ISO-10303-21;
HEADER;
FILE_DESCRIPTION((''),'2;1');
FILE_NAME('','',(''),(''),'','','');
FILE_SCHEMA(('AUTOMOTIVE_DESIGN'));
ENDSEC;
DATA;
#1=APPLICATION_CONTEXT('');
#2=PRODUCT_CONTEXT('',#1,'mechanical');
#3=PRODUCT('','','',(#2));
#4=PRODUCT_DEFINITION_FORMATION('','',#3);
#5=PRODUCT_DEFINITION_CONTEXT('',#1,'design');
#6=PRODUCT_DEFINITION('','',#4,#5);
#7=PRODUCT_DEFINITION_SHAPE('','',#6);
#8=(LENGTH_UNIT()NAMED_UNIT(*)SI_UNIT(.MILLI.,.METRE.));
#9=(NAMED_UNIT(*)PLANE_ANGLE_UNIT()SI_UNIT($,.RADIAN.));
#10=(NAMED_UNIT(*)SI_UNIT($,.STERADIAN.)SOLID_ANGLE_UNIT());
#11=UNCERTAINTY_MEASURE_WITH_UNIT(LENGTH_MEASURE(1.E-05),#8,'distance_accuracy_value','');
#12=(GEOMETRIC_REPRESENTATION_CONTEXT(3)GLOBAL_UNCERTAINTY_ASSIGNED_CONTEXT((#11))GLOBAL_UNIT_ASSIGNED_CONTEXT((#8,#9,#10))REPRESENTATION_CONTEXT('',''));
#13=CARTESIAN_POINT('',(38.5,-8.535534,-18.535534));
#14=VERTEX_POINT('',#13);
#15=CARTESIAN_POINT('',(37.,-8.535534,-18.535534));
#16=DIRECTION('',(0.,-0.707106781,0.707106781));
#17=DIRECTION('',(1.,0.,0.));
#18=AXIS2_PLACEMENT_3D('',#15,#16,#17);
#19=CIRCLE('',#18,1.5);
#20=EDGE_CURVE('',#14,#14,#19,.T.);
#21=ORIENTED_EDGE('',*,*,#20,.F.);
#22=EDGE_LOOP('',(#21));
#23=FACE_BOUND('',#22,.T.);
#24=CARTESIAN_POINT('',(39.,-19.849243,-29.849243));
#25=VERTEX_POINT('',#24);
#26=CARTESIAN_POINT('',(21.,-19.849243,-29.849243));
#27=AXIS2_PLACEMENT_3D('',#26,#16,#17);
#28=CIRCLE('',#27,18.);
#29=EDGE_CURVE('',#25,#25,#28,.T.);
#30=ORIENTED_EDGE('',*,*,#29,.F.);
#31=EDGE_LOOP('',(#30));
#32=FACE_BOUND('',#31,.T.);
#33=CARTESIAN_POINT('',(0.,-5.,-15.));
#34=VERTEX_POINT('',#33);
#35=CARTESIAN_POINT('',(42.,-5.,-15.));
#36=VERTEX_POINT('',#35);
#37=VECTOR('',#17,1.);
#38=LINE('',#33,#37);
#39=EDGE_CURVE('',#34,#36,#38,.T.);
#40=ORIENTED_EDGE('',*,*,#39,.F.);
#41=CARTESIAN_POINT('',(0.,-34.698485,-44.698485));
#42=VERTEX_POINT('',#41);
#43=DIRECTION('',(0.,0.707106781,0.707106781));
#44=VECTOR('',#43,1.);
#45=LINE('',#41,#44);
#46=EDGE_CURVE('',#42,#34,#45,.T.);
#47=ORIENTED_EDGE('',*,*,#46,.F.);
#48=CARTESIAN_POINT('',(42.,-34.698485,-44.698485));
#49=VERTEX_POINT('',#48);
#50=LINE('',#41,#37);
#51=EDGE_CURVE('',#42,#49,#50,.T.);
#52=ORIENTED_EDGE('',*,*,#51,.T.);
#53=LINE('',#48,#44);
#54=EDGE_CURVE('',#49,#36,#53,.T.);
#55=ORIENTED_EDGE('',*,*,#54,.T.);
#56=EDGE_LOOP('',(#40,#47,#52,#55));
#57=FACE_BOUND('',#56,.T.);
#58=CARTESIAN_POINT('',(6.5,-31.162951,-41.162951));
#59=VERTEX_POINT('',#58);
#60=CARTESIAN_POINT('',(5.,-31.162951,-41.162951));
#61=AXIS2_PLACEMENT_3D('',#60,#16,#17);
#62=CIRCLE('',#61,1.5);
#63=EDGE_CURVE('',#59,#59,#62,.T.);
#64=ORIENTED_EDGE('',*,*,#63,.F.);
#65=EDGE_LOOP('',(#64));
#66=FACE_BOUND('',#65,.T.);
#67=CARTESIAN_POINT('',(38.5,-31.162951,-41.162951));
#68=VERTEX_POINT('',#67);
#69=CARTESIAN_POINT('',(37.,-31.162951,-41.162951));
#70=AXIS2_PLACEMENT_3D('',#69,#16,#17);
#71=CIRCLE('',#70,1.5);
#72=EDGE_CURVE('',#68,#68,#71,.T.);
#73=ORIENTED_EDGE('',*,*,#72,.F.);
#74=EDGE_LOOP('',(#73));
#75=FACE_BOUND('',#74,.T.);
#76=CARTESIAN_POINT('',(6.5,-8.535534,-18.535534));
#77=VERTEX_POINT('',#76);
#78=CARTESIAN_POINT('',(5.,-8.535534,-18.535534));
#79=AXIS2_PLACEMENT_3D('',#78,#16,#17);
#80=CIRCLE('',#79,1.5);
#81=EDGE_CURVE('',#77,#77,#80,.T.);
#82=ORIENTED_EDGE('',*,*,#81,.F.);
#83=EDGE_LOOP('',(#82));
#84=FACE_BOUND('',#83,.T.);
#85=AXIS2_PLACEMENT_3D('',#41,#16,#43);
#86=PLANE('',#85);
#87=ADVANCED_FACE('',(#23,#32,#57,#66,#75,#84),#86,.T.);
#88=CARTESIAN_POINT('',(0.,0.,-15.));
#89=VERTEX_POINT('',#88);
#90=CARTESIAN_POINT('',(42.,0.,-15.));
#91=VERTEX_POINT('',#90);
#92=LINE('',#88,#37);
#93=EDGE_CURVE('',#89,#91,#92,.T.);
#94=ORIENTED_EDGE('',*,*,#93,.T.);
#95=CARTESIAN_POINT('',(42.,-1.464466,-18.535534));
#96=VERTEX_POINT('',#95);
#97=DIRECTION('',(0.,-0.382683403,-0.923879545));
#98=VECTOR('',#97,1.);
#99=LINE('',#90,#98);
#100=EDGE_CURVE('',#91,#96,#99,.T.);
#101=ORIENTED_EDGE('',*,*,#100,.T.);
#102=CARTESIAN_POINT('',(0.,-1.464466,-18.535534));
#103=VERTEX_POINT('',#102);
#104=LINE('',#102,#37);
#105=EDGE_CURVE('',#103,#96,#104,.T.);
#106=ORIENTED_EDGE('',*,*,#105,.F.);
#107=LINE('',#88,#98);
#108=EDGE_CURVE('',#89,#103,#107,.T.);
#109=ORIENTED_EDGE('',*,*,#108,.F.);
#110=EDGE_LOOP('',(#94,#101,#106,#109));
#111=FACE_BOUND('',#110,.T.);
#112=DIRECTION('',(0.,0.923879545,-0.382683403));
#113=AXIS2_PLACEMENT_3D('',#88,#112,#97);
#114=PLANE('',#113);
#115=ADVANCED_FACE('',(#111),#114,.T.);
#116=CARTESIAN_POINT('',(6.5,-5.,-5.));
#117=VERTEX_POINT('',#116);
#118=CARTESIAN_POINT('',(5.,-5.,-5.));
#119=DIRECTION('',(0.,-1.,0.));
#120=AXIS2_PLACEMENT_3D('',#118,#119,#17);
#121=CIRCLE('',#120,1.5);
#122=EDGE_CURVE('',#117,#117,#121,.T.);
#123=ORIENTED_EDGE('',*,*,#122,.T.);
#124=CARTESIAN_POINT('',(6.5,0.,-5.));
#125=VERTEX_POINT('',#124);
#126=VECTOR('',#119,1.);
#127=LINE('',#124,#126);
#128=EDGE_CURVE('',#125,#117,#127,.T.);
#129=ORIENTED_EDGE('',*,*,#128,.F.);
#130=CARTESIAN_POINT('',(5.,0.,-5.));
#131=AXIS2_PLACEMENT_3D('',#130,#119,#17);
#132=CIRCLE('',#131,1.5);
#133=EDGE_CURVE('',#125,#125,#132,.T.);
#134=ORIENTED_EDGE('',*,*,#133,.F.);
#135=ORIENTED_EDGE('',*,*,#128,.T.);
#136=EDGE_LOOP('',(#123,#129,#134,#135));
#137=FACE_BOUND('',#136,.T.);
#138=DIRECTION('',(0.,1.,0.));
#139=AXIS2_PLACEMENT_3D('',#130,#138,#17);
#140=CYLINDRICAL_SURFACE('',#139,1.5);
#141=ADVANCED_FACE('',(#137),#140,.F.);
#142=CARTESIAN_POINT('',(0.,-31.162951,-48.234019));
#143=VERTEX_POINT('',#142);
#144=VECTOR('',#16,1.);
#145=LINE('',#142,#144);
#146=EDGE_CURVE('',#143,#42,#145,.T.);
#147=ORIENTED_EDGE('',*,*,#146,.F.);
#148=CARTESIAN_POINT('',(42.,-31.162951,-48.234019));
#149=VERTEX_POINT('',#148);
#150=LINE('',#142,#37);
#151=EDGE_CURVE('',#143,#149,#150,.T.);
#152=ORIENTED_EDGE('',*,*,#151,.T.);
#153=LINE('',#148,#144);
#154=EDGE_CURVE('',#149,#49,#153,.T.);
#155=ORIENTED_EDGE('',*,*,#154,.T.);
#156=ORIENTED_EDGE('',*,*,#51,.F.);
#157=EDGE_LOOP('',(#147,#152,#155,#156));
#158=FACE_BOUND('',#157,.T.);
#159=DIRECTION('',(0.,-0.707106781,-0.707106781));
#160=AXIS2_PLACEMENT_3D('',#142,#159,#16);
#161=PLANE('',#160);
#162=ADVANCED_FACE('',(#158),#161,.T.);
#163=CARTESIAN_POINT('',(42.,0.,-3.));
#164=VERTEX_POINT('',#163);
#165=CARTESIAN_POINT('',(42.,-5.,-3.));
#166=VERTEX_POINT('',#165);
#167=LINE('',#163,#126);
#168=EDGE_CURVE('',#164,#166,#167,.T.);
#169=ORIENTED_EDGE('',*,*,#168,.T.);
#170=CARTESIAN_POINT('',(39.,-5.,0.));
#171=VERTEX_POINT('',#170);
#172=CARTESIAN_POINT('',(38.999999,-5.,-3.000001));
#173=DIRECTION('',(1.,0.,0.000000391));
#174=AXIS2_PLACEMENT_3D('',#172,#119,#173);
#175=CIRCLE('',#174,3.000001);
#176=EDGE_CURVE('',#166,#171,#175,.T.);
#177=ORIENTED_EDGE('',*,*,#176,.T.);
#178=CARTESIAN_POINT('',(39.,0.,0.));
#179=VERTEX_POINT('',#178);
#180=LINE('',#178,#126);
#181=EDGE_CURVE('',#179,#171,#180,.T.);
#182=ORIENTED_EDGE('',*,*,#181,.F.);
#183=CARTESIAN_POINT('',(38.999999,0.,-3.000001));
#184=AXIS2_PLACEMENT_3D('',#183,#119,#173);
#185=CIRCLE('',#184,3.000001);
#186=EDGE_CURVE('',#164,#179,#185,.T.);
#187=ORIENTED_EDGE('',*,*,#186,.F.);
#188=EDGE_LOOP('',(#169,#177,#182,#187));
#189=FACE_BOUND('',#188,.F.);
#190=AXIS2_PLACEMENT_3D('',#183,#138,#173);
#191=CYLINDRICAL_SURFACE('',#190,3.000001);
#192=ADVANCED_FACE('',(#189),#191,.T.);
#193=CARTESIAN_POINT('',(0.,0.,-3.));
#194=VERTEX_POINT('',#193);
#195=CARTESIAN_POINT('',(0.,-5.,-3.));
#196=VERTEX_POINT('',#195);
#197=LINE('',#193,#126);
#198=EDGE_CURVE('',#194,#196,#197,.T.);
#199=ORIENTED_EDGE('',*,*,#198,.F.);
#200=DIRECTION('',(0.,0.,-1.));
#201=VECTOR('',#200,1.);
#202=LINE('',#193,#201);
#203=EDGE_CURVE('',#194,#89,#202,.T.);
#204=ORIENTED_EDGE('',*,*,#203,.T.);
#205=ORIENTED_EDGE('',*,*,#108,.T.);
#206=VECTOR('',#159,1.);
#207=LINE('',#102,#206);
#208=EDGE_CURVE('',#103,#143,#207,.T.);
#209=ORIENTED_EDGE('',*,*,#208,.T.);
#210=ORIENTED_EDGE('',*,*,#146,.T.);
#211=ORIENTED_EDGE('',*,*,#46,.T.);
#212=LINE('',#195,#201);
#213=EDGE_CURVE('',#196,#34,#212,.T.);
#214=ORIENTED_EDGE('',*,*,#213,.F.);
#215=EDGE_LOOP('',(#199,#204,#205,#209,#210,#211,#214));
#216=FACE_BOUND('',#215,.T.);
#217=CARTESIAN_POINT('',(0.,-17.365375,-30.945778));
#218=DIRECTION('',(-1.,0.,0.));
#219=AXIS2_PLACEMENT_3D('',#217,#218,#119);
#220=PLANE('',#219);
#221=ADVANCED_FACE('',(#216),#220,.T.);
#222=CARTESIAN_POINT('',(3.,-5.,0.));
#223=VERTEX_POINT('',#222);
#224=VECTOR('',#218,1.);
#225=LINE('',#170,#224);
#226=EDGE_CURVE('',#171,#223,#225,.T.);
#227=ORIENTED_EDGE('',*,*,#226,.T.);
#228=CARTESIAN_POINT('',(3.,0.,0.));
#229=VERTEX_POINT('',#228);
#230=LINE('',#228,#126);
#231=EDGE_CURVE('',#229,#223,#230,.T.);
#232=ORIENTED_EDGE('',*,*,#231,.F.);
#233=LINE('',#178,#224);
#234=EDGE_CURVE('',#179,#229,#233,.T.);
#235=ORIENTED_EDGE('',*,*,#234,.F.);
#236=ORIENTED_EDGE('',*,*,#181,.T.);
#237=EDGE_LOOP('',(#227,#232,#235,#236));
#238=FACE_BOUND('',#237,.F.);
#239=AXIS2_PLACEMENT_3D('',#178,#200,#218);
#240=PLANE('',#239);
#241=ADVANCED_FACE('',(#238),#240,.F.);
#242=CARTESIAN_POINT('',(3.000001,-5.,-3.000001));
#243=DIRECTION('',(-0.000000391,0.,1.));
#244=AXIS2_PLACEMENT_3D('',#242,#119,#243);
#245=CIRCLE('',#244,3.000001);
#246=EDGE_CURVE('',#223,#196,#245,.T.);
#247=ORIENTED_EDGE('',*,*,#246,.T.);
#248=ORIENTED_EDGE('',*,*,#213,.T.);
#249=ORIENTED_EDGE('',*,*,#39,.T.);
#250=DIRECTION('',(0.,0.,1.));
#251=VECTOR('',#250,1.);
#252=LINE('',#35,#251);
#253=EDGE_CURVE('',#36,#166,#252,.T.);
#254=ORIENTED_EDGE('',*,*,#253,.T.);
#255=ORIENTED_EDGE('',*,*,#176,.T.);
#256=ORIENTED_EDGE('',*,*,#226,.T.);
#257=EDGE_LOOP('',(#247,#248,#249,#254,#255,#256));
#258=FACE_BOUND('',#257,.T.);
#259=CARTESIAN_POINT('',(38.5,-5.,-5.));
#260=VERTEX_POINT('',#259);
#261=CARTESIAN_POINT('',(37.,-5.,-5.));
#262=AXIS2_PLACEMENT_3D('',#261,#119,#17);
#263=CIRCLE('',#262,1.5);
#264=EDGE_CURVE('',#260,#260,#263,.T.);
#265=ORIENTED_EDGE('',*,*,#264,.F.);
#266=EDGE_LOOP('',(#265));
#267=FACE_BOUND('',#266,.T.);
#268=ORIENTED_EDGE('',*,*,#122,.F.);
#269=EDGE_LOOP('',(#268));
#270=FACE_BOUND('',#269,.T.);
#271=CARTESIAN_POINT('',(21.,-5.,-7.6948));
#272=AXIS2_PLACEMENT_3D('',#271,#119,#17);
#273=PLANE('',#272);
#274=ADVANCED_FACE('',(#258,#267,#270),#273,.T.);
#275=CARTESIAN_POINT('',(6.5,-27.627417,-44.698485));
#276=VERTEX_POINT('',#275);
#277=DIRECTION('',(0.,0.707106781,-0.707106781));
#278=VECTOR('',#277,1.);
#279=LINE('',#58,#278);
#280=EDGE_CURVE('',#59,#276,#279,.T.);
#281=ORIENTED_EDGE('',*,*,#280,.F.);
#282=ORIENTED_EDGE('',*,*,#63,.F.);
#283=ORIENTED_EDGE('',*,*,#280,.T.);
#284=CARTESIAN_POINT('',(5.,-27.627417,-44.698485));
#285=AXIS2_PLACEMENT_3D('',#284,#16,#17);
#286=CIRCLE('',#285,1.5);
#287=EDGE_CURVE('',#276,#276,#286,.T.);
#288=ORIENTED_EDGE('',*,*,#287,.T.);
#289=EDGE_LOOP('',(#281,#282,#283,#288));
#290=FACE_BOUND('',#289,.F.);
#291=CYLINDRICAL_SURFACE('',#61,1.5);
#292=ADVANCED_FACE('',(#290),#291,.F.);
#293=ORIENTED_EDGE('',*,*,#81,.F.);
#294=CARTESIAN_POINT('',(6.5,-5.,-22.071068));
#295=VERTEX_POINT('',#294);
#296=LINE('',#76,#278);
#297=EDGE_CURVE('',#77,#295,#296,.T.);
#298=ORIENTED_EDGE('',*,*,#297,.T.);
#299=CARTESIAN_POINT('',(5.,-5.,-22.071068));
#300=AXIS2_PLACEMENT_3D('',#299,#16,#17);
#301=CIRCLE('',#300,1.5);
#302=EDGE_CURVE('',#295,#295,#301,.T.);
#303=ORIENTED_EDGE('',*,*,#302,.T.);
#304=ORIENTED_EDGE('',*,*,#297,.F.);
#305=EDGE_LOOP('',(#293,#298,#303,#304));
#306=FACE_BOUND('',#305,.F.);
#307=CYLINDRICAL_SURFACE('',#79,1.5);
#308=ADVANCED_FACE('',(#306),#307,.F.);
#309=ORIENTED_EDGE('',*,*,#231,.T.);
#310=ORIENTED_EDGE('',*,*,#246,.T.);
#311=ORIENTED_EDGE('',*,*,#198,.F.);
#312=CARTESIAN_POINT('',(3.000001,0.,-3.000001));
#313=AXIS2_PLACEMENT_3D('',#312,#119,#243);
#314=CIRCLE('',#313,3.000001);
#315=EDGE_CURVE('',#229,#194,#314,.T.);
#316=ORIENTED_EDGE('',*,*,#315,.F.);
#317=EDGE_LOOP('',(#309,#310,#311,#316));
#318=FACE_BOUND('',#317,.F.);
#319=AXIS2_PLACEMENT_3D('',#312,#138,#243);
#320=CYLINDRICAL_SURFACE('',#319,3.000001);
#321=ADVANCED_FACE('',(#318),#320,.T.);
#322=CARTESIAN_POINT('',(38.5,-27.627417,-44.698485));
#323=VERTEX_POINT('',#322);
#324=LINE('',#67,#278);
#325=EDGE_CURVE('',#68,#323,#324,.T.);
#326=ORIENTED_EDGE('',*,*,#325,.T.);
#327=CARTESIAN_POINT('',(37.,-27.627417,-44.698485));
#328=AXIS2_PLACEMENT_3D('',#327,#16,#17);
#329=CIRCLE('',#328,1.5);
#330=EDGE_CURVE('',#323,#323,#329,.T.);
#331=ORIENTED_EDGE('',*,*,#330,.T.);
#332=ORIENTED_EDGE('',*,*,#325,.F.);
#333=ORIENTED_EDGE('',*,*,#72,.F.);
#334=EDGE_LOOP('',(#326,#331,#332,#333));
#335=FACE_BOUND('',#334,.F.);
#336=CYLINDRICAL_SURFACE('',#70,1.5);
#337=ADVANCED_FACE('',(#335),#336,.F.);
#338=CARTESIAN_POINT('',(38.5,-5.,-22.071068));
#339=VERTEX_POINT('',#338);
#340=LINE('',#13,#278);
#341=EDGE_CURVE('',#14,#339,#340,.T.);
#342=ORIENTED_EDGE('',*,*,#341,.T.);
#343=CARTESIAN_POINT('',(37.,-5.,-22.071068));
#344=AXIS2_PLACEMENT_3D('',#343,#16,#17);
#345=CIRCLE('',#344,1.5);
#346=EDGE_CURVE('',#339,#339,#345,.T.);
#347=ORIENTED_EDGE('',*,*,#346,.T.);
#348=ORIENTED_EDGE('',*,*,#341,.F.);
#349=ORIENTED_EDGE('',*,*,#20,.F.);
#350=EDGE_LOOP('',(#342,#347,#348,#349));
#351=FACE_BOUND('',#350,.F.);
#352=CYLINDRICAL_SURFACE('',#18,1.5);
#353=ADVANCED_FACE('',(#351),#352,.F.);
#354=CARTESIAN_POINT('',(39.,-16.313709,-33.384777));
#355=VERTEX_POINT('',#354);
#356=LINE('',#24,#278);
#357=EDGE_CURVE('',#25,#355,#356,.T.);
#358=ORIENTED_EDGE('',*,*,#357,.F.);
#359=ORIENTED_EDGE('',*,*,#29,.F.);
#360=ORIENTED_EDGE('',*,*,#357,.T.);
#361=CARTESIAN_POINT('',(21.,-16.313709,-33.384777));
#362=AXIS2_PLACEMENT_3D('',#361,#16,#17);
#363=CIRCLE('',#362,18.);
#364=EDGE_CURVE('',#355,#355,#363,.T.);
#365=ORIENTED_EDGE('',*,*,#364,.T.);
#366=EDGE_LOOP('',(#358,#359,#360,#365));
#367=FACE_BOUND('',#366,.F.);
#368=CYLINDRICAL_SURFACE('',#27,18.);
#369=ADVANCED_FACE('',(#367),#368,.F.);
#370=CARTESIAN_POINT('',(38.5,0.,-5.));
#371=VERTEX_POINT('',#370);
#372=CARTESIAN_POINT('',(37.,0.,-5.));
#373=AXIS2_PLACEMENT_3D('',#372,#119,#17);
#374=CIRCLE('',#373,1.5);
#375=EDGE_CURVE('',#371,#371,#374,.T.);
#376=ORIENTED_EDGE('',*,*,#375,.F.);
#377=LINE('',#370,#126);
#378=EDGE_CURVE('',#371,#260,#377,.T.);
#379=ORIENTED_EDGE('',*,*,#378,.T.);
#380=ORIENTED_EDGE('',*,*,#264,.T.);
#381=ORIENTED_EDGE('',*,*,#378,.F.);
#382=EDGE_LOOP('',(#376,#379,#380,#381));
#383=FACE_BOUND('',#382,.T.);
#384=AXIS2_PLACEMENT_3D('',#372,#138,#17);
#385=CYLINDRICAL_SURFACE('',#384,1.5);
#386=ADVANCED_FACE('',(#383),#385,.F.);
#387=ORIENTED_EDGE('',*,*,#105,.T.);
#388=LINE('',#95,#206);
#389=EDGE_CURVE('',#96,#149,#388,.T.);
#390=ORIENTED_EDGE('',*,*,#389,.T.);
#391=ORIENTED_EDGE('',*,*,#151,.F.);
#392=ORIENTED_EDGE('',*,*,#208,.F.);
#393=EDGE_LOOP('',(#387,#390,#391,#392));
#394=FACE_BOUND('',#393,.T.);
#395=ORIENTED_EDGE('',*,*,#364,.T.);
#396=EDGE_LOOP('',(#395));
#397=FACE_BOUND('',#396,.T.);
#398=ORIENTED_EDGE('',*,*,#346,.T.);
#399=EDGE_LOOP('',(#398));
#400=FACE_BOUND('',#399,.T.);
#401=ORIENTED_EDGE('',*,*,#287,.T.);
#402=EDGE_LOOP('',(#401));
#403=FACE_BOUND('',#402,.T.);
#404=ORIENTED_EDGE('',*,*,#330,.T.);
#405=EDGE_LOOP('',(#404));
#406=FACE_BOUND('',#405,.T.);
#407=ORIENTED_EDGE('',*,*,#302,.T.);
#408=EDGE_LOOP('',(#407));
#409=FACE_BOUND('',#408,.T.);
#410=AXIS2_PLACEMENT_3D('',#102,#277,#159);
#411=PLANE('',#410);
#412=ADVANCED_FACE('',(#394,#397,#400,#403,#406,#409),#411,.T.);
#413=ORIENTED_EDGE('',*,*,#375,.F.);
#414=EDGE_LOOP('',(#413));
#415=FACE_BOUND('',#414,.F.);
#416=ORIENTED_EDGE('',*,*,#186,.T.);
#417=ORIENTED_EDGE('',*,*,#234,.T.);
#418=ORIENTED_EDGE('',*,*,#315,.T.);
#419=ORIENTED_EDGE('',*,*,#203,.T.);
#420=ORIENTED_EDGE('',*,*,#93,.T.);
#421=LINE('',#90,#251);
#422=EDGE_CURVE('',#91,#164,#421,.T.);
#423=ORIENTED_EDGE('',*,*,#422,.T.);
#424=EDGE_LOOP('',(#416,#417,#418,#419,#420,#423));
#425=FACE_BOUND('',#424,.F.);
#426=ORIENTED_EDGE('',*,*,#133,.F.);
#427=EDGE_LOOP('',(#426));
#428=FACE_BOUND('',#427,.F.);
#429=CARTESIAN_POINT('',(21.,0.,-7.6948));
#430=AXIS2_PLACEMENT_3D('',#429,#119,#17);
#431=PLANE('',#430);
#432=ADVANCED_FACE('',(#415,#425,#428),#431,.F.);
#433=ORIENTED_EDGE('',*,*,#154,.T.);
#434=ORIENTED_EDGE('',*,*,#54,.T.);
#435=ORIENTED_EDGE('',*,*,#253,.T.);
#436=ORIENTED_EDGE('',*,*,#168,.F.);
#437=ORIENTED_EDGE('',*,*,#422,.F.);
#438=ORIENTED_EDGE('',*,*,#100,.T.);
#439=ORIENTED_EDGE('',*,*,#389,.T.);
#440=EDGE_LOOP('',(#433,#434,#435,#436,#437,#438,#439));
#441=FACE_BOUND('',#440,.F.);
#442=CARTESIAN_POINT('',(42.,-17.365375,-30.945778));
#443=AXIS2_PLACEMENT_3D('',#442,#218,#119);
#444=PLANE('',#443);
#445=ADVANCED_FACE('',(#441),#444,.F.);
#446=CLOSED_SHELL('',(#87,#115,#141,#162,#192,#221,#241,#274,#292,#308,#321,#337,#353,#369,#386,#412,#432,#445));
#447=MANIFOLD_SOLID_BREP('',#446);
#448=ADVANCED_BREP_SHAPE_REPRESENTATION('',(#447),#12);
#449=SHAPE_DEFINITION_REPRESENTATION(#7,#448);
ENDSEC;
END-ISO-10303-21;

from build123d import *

# Parameters (mm, degrees)
F0_R     = 1.5
F1_DEPTH = 5
F3_DEPTH = 42
F4_R     = 1.5
F4_R_2   = 18
F5_DEPTH = 5


with BuildPart() as f1:
    # F0 (on Front) → F1 (new body)
    with BuildSketch(Plane.XZ):
        with BuildLine():
            Line((39, 0), (3, 0))
            ThreePointArc((3, 0), (0.87868, -0.87868), (0, -3))
            Line((0, -3), (0, -15))
            Line((0, -15), (42, -15))
            Line((42, -15), (42, -3))
            ThreePointArc((42, -3), (41.12132, -0.87868), (39, 0))
        make_face()
        with Locations((5, -5)):
            Circle(F0_R, mode=Mode.SUBTRACT)
        with Locations((37, -5)):
            Circle(F0_R, mode=Mode.SUBTRACT)
    extrude(amount=F1_DEPTH)

    # F2 (on face) → F3 (join)
    with BuildSketch(Plane(origin=(0, 0, 0), x_dir=(0, -1, 0), z_dir=(-1, 0, 0))):
        Polygon((34.698485, -44.698485), (5, -15), (0, -15), (1.464466, -18.535534), (31.162951, -48.234019), align=None)
    extrude(amount=-F3_DEPTH)

    # F4 (on face) → F5 (cut)
    with BuildSketch(Plane(origin=(0, 5, -5), x_dir=(1, 0, 0), z_dir=(0, -0.707107, 0.707107))):
        with Locations((37, -19.142136)):
            Circle(F4_R)
        with Locations((37, -51.142136)):
            Circle(F4_R)
        with Locations((5, -51.142136)):
            Circle(F4_R)
        with Locations((5, -19.142136)):
            Circle(F4_R)
        with Locations((21, -35.142136)):
            Circle(F4_R_2)
    extrude(amount=-F5_DEPTH, mode=Mode.SUBTRACT)


solid = f1.part
